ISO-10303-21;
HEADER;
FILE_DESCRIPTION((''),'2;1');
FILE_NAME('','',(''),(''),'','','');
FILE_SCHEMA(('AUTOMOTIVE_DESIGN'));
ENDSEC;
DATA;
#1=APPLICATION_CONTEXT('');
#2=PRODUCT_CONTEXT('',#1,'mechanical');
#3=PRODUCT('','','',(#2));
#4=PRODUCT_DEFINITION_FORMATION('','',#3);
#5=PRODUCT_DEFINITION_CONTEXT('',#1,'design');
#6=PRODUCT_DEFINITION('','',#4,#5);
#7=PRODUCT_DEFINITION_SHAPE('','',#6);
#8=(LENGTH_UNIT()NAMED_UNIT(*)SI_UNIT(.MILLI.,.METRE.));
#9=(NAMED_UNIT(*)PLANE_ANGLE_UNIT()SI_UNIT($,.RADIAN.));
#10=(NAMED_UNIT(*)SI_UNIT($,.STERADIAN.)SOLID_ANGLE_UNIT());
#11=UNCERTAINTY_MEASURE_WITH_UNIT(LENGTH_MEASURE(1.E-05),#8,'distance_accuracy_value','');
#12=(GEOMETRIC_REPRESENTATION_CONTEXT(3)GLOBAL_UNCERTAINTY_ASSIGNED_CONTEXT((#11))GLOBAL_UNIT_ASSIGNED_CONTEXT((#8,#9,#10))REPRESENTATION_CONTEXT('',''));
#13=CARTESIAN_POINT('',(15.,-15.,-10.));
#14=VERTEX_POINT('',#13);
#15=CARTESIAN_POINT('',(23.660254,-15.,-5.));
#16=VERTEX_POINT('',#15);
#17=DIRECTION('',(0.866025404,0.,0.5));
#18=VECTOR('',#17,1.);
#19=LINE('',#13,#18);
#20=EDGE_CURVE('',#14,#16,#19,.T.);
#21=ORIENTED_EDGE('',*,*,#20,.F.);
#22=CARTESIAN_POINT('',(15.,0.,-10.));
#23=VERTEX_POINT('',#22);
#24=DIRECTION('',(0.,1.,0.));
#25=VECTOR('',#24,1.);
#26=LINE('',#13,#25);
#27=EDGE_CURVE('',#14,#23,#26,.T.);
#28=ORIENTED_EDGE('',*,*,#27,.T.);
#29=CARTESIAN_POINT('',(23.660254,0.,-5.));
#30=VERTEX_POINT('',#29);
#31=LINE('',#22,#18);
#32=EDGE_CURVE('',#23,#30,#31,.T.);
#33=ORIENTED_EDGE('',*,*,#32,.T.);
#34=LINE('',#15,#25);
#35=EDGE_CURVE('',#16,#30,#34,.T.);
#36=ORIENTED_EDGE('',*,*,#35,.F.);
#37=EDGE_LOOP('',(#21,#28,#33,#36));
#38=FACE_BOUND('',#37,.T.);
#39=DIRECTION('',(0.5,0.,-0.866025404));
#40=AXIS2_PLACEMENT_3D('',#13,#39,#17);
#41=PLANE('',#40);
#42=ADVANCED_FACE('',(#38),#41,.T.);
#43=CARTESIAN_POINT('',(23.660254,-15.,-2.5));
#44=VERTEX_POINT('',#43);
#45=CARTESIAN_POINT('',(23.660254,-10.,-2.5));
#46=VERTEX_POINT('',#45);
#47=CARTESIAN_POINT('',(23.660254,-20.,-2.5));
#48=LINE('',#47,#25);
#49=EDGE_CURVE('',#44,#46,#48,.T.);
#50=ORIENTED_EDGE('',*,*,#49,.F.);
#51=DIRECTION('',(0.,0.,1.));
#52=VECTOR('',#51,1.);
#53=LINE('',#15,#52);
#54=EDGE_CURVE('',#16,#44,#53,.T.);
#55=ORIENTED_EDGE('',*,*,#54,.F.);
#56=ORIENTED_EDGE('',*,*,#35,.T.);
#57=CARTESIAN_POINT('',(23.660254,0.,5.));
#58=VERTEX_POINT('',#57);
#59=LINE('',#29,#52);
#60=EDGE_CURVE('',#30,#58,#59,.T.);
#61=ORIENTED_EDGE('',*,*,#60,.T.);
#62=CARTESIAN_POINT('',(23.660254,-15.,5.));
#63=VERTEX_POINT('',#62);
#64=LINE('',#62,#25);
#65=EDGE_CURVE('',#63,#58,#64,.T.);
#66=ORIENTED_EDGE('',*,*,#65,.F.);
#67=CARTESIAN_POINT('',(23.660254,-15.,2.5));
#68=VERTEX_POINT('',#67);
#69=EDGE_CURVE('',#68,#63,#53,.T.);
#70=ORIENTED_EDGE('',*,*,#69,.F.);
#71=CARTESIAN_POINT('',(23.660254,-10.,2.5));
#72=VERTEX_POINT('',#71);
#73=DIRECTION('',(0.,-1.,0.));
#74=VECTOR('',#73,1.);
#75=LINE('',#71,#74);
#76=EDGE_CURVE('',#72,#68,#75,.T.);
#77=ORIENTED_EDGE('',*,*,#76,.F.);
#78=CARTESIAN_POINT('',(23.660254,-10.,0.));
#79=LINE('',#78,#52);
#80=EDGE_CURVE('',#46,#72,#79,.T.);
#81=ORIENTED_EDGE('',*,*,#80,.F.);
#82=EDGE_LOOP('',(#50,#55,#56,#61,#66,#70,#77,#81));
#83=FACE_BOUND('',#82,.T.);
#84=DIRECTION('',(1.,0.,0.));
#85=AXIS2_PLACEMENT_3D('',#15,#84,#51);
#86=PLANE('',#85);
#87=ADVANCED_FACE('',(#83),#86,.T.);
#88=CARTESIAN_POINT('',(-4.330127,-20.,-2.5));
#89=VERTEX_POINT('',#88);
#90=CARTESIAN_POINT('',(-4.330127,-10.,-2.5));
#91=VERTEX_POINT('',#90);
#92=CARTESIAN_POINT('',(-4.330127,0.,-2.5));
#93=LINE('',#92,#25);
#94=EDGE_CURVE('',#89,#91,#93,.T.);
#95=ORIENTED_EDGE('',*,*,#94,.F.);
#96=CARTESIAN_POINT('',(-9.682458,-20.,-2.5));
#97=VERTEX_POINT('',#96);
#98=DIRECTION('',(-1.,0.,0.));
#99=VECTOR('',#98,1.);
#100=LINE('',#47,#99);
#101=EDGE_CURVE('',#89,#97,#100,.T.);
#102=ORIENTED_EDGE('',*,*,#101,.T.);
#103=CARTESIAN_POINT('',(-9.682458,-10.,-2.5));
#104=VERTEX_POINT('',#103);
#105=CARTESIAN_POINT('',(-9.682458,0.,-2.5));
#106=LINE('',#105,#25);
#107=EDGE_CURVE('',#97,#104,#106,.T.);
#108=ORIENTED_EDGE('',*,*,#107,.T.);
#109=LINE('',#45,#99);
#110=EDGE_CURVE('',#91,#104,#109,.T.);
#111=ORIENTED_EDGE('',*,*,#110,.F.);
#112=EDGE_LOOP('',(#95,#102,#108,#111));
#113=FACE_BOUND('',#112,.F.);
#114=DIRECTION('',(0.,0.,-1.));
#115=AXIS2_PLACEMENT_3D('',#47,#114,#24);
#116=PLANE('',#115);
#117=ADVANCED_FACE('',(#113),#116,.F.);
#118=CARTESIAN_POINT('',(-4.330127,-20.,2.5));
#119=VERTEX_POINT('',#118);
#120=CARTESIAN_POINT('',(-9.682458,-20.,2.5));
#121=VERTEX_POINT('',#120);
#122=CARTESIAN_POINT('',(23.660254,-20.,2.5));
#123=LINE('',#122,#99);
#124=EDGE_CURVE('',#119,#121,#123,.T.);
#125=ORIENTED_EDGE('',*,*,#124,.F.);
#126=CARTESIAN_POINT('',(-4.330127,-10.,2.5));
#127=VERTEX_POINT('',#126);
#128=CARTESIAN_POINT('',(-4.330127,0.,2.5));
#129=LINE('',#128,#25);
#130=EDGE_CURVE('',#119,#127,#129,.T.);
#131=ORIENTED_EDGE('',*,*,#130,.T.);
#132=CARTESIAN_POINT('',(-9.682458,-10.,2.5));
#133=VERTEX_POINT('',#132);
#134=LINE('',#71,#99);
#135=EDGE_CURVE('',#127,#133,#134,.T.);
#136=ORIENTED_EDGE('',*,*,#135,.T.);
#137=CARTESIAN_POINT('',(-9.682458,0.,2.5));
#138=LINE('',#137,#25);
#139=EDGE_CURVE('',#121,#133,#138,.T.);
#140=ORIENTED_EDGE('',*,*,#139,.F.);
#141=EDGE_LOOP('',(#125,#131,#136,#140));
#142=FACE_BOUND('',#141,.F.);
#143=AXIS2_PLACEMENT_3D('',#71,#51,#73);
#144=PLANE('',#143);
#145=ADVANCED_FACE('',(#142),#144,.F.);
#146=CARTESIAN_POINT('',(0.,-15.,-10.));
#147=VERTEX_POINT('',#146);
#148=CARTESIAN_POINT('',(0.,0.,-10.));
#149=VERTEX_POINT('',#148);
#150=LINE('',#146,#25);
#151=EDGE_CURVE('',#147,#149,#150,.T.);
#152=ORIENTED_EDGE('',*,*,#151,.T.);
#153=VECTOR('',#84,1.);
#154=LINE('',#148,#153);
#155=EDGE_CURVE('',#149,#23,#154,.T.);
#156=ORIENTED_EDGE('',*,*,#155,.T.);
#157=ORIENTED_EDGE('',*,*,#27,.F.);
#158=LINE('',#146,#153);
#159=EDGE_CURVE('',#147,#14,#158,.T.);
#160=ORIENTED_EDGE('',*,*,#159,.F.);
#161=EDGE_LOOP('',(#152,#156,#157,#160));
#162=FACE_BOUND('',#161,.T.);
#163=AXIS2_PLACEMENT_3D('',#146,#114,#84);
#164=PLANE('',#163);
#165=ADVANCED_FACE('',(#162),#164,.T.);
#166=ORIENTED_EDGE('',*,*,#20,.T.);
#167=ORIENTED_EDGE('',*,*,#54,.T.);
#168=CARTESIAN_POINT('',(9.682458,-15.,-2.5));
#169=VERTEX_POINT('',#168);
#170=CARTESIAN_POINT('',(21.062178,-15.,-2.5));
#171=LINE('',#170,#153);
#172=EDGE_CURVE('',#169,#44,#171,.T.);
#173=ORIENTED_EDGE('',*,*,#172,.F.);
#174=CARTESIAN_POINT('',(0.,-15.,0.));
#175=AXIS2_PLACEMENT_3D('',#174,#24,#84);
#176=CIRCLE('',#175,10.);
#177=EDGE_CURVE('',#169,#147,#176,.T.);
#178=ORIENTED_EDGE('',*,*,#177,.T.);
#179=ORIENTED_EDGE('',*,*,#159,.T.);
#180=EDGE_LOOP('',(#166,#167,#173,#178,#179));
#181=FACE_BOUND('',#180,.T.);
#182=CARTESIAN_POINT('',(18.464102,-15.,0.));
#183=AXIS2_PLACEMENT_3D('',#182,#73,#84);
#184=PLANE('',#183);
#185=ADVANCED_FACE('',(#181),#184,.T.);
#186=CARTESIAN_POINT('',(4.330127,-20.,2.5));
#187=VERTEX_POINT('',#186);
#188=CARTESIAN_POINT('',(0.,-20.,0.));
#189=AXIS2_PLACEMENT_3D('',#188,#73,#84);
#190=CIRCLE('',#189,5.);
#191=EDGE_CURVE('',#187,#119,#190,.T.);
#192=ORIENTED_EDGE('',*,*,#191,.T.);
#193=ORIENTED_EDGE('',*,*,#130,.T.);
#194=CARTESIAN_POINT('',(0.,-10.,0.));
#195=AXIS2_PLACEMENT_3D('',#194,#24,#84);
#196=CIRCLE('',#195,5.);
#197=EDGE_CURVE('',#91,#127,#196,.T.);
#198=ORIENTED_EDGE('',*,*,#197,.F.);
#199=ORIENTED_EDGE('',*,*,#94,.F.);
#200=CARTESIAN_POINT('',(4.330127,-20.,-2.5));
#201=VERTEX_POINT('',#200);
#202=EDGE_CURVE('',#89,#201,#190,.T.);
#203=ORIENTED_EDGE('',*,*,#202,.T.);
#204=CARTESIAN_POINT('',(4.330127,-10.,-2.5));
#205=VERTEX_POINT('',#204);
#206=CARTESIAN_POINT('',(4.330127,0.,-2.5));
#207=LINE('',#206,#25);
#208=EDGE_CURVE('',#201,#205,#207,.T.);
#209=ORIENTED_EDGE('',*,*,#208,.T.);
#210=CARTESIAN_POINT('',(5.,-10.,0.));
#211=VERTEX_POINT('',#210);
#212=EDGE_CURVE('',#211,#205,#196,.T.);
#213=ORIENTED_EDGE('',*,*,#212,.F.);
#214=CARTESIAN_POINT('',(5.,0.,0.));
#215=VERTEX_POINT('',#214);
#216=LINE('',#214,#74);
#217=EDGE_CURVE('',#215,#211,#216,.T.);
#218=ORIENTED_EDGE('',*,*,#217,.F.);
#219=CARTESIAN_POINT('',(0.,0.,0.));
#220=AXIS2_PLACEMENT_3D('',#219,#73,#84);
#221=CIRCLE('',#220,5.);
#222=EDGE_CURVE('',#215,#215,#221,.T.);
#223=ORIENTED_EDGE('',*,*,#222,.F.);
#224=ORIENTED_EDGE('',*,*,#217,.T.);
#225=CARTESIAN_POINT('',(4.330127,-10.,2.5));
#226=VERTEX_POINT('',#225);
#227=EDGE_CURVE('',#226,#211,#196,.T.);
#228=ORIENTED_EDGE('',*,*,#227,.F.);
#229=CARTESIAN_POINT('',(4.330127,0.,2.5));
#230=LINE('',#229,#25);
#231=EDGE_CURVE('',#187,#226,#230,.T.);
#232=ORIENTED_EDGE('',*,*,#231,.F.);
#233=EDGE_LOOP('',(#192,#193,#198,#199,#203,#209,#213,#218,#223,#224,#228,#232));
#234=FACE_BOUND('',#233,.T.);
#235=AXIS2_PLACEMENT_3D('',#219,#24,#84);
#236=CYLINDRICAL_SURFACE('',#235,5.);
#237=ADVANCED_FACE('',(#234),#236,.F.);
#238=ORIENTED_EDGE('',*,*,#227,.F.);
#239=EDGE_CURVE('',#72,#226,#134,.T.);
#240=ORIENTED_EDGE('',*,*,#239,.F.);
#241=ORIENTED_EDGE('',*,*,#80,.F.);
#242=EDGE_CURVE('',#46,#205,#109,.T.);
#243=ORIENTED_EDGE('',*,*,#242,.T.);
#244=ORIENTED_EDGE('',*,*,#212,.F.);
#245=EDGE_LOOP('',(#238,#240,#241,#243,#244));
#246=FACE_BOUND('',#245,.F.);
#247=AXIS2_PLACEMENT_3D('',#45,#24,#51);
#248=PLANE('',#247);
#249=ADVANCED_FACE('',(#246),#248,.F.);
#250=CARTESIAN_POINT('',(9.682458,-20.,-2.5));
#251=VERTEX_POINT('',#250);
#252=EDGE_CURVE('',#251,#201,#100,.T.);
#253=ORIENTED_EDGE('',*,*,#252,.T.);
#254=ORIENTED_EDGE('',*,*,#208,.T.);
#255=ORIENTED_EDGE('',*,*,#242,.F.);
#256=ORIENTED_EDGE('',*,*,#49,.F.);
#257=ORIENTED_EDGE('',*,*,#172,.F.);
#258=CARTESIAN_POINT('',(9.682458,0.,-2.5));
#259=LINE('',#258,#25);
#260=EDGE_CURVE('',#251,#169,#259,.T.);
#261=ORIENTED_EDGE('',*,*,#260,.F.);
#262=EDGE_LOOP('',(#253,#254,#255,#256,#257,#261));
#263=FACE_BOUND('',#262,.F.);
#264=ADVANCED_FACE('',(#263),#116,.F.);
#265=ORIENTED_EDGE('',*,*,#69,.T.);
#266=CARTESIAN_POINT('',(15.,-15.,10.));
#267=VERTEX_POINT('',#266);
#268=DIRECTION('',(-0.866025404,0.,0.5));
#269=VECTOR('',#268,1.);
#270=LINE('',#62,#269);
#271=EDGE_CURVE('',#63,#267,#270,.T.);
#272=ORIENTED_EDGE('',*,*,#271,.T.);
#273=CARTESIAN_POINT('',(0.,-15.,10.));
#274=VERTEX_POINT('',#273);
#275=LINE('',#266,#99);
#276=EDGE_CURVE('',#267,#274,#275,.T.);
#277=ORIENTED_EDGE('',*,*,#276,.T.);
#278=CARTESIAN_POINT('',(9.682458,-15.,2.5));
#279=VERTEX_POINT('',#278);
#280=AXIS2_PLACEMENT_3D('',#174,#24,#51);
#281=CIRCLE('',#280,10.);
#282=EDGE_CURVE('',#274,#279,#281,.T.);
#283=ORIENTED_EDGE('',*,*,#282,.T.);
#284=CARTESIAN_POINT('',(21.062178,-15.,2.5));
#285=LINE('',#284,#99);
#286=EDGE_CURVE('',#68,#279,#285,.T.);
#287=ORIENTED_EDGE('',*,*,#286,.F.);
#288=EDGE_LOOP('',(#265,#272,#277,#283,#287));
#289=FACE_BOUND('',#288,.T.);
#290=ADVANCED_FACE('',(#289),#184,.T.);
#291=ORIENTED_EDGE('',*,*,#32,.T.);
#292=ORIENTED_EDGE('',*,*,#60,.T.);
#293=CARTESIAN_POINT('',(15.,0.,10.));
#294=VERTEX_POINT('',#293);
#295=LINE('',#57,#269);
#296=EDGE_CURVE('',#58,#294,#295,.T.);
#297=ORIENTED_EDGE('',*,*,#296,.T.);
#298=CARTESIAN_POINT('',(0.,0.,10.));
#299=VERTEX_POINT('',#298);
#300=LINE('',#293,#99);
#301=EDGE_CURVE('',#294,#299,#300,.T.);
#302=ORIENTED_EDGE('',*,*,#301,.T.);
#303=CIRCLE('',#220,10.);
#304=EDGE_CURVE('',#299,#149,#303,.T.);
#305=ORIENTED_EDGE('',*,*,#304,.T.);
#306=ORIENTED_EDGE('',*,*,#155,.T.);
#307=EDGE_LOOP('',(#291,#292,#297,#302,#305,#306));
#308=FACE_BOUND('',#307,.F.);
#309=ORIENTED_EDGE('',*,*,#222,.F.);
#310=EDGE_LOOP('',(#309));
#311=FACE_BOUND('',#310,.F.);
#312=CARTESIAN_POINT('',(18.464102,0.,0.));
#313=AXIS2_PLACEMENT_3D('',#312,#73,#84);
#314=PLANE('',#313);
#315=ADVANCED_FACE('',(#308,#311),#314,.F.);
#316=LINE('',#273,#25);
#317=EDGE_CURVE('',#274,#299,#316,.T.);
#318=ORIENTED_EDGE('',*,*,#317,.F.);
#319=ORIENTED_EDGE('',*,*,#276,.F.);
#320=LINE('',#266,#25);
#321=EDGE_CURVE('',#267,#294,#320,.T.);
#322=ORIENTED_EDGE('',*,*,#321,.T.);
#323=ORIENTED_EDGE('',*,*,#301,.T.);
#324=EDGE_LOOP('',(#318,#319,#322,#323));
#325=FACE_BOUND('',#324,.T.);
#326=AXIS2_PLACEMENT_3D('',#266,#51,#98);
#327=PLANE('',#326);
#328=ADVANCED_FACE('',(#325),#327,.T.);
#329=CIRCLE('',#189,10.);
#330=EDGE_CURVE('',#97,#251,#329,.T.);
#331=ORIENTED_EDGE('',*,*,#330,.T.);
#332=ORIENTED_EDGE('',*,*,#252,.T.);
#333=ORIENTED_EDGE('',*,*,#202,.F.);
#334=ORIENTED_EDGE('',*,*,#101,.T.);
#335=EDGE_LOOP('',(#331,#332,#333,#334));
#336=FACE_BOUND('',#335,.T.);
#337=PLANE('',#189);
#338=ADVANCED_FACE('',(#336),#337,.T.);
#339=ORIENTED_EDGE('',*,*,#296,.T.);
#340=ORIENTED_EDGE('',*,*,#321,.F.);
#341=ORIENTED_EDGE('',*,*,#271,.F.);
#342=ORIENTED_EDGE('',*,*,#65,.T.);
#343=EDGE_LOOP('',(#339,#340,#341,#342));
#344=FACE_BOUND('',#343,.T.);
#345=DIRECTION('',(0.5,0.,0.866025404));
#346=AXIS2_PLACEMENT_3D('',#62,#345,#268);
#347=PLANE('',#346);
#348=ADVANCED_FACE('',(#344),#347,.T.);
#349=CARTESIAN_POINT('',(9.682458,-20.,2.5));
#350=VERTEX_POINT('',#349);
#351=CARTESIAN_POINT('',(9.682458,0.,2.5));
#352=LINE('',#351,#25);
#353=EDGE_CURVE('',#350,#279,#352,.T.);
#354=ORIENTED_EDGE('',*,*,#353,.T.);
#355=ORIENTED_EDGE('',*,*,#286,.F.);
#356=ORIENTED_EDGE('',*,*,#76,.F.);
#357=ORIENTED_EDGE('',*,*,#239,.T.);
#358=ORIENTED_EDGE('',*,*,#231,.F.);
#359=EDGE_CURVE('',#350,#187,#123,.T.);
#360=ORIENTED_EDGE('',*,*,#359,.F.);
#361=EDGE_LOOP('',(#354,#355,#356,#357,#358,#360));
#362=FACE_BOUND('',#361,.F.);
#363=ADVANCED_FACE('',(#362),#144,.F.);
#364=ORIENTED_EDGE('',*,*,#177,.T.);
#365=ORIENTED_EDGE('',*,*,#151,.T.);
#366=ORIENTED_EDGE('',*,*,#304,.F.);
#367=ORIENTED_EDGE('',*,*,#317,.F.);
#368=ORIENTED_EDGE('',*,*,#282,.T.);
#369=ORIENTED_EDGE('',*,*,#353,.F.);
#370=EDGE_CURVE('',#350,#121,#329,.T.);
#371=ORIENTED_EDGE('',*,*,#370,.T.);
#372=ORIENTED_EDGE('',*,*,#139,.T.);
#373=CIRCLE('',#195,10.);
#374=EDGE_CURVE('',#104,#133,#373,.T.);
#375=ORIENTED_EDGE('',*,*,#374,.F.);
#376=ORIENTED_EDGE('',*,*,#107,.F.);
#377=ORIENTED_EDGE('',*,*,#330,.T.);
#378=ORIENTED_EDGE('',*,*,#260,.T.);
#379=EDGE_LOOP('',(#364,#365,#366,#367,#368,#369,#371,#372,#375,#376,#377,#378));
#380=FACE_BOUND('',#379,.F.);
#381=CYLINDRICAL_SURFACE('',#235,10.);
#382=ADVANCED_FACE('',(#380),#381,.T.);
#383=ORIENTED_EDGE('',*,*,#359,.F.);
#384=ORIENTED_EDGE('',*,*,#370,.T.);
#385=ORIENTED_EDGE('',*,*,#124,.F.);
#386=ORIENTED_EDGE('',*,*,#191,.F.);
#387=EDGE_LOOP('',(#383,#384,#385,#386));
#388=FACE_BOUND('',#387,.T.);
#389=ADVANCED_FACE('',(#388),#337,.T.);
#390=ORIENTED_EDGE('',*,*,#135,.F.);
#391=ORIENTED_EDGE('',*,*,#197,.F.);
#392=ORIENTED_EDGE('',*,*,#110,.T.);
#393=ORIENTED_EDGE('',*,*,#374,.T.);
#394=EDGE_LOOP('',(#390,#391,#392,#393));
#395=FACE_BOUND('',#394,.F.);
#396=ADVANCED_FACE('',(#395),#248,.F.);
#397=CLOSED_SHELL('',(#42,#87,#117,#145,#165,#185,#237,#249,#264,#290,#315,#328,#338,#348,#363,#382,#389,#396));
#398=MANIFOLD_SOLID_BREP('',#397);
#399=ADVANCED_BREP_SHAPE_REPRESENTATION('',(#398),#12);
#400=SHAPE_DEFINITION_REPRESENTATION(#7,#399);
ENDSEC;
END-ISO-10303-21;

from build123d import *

# Parameters (mm, degrees)
F0_R     = 10
F0_R_2   = 5
F1_DEPTH = 20
F3_START = -5
F3_DEPTH = 15
F4_W     = 5
F4_H     = 5
F5_DEPTH = 33.6612540378


with BuildPart() as f1:
    # F0 (on Front) → F1 (new body)
    with BuildSketch(Plane.XZ):
        Circle(F0_R)
        Circle(F0_R_2, mode=Mode.SUBTRACT)
    extrude(amount=F1_DEPTH)

    # F2 (on face) → F3 (join)
    with BuildSketch(Plane.XZ.offset(20).offset(F3_START)):
        Polygon((23.6602540378, 5), (15, 10), (15, -10), (23.6602540378, -5), align=None)
        with BuildLine():
            Line((15, 10), (0, 10))
            ThreePointArc((0, 10), (7.0710678119, 7.0710678119), (10, 0))
            ThreePointArc((10, 0), (7.0710678119, -7.0710678119), (0, -10))
            Line((0, -10), (15, -10))
            Line((15, -10), (15, 10))
        make_face()
    extrude(amount=-F3_DEPTH)

    # F4 (on face) → F5 (cut, through all)
    with BuildSketch(Plane.YZ.offset(23.6602540378)):
        with Locations((-12.5, 0)):
            Rectangle(F4_W, F4_H)
        with Locations((-17.5, 0)):
            Rectangle(F4_W, F4_H)
    extrude(amount=-F5_DEPTH, mode=Mode.SUBTRACT)


solid = f1.part
